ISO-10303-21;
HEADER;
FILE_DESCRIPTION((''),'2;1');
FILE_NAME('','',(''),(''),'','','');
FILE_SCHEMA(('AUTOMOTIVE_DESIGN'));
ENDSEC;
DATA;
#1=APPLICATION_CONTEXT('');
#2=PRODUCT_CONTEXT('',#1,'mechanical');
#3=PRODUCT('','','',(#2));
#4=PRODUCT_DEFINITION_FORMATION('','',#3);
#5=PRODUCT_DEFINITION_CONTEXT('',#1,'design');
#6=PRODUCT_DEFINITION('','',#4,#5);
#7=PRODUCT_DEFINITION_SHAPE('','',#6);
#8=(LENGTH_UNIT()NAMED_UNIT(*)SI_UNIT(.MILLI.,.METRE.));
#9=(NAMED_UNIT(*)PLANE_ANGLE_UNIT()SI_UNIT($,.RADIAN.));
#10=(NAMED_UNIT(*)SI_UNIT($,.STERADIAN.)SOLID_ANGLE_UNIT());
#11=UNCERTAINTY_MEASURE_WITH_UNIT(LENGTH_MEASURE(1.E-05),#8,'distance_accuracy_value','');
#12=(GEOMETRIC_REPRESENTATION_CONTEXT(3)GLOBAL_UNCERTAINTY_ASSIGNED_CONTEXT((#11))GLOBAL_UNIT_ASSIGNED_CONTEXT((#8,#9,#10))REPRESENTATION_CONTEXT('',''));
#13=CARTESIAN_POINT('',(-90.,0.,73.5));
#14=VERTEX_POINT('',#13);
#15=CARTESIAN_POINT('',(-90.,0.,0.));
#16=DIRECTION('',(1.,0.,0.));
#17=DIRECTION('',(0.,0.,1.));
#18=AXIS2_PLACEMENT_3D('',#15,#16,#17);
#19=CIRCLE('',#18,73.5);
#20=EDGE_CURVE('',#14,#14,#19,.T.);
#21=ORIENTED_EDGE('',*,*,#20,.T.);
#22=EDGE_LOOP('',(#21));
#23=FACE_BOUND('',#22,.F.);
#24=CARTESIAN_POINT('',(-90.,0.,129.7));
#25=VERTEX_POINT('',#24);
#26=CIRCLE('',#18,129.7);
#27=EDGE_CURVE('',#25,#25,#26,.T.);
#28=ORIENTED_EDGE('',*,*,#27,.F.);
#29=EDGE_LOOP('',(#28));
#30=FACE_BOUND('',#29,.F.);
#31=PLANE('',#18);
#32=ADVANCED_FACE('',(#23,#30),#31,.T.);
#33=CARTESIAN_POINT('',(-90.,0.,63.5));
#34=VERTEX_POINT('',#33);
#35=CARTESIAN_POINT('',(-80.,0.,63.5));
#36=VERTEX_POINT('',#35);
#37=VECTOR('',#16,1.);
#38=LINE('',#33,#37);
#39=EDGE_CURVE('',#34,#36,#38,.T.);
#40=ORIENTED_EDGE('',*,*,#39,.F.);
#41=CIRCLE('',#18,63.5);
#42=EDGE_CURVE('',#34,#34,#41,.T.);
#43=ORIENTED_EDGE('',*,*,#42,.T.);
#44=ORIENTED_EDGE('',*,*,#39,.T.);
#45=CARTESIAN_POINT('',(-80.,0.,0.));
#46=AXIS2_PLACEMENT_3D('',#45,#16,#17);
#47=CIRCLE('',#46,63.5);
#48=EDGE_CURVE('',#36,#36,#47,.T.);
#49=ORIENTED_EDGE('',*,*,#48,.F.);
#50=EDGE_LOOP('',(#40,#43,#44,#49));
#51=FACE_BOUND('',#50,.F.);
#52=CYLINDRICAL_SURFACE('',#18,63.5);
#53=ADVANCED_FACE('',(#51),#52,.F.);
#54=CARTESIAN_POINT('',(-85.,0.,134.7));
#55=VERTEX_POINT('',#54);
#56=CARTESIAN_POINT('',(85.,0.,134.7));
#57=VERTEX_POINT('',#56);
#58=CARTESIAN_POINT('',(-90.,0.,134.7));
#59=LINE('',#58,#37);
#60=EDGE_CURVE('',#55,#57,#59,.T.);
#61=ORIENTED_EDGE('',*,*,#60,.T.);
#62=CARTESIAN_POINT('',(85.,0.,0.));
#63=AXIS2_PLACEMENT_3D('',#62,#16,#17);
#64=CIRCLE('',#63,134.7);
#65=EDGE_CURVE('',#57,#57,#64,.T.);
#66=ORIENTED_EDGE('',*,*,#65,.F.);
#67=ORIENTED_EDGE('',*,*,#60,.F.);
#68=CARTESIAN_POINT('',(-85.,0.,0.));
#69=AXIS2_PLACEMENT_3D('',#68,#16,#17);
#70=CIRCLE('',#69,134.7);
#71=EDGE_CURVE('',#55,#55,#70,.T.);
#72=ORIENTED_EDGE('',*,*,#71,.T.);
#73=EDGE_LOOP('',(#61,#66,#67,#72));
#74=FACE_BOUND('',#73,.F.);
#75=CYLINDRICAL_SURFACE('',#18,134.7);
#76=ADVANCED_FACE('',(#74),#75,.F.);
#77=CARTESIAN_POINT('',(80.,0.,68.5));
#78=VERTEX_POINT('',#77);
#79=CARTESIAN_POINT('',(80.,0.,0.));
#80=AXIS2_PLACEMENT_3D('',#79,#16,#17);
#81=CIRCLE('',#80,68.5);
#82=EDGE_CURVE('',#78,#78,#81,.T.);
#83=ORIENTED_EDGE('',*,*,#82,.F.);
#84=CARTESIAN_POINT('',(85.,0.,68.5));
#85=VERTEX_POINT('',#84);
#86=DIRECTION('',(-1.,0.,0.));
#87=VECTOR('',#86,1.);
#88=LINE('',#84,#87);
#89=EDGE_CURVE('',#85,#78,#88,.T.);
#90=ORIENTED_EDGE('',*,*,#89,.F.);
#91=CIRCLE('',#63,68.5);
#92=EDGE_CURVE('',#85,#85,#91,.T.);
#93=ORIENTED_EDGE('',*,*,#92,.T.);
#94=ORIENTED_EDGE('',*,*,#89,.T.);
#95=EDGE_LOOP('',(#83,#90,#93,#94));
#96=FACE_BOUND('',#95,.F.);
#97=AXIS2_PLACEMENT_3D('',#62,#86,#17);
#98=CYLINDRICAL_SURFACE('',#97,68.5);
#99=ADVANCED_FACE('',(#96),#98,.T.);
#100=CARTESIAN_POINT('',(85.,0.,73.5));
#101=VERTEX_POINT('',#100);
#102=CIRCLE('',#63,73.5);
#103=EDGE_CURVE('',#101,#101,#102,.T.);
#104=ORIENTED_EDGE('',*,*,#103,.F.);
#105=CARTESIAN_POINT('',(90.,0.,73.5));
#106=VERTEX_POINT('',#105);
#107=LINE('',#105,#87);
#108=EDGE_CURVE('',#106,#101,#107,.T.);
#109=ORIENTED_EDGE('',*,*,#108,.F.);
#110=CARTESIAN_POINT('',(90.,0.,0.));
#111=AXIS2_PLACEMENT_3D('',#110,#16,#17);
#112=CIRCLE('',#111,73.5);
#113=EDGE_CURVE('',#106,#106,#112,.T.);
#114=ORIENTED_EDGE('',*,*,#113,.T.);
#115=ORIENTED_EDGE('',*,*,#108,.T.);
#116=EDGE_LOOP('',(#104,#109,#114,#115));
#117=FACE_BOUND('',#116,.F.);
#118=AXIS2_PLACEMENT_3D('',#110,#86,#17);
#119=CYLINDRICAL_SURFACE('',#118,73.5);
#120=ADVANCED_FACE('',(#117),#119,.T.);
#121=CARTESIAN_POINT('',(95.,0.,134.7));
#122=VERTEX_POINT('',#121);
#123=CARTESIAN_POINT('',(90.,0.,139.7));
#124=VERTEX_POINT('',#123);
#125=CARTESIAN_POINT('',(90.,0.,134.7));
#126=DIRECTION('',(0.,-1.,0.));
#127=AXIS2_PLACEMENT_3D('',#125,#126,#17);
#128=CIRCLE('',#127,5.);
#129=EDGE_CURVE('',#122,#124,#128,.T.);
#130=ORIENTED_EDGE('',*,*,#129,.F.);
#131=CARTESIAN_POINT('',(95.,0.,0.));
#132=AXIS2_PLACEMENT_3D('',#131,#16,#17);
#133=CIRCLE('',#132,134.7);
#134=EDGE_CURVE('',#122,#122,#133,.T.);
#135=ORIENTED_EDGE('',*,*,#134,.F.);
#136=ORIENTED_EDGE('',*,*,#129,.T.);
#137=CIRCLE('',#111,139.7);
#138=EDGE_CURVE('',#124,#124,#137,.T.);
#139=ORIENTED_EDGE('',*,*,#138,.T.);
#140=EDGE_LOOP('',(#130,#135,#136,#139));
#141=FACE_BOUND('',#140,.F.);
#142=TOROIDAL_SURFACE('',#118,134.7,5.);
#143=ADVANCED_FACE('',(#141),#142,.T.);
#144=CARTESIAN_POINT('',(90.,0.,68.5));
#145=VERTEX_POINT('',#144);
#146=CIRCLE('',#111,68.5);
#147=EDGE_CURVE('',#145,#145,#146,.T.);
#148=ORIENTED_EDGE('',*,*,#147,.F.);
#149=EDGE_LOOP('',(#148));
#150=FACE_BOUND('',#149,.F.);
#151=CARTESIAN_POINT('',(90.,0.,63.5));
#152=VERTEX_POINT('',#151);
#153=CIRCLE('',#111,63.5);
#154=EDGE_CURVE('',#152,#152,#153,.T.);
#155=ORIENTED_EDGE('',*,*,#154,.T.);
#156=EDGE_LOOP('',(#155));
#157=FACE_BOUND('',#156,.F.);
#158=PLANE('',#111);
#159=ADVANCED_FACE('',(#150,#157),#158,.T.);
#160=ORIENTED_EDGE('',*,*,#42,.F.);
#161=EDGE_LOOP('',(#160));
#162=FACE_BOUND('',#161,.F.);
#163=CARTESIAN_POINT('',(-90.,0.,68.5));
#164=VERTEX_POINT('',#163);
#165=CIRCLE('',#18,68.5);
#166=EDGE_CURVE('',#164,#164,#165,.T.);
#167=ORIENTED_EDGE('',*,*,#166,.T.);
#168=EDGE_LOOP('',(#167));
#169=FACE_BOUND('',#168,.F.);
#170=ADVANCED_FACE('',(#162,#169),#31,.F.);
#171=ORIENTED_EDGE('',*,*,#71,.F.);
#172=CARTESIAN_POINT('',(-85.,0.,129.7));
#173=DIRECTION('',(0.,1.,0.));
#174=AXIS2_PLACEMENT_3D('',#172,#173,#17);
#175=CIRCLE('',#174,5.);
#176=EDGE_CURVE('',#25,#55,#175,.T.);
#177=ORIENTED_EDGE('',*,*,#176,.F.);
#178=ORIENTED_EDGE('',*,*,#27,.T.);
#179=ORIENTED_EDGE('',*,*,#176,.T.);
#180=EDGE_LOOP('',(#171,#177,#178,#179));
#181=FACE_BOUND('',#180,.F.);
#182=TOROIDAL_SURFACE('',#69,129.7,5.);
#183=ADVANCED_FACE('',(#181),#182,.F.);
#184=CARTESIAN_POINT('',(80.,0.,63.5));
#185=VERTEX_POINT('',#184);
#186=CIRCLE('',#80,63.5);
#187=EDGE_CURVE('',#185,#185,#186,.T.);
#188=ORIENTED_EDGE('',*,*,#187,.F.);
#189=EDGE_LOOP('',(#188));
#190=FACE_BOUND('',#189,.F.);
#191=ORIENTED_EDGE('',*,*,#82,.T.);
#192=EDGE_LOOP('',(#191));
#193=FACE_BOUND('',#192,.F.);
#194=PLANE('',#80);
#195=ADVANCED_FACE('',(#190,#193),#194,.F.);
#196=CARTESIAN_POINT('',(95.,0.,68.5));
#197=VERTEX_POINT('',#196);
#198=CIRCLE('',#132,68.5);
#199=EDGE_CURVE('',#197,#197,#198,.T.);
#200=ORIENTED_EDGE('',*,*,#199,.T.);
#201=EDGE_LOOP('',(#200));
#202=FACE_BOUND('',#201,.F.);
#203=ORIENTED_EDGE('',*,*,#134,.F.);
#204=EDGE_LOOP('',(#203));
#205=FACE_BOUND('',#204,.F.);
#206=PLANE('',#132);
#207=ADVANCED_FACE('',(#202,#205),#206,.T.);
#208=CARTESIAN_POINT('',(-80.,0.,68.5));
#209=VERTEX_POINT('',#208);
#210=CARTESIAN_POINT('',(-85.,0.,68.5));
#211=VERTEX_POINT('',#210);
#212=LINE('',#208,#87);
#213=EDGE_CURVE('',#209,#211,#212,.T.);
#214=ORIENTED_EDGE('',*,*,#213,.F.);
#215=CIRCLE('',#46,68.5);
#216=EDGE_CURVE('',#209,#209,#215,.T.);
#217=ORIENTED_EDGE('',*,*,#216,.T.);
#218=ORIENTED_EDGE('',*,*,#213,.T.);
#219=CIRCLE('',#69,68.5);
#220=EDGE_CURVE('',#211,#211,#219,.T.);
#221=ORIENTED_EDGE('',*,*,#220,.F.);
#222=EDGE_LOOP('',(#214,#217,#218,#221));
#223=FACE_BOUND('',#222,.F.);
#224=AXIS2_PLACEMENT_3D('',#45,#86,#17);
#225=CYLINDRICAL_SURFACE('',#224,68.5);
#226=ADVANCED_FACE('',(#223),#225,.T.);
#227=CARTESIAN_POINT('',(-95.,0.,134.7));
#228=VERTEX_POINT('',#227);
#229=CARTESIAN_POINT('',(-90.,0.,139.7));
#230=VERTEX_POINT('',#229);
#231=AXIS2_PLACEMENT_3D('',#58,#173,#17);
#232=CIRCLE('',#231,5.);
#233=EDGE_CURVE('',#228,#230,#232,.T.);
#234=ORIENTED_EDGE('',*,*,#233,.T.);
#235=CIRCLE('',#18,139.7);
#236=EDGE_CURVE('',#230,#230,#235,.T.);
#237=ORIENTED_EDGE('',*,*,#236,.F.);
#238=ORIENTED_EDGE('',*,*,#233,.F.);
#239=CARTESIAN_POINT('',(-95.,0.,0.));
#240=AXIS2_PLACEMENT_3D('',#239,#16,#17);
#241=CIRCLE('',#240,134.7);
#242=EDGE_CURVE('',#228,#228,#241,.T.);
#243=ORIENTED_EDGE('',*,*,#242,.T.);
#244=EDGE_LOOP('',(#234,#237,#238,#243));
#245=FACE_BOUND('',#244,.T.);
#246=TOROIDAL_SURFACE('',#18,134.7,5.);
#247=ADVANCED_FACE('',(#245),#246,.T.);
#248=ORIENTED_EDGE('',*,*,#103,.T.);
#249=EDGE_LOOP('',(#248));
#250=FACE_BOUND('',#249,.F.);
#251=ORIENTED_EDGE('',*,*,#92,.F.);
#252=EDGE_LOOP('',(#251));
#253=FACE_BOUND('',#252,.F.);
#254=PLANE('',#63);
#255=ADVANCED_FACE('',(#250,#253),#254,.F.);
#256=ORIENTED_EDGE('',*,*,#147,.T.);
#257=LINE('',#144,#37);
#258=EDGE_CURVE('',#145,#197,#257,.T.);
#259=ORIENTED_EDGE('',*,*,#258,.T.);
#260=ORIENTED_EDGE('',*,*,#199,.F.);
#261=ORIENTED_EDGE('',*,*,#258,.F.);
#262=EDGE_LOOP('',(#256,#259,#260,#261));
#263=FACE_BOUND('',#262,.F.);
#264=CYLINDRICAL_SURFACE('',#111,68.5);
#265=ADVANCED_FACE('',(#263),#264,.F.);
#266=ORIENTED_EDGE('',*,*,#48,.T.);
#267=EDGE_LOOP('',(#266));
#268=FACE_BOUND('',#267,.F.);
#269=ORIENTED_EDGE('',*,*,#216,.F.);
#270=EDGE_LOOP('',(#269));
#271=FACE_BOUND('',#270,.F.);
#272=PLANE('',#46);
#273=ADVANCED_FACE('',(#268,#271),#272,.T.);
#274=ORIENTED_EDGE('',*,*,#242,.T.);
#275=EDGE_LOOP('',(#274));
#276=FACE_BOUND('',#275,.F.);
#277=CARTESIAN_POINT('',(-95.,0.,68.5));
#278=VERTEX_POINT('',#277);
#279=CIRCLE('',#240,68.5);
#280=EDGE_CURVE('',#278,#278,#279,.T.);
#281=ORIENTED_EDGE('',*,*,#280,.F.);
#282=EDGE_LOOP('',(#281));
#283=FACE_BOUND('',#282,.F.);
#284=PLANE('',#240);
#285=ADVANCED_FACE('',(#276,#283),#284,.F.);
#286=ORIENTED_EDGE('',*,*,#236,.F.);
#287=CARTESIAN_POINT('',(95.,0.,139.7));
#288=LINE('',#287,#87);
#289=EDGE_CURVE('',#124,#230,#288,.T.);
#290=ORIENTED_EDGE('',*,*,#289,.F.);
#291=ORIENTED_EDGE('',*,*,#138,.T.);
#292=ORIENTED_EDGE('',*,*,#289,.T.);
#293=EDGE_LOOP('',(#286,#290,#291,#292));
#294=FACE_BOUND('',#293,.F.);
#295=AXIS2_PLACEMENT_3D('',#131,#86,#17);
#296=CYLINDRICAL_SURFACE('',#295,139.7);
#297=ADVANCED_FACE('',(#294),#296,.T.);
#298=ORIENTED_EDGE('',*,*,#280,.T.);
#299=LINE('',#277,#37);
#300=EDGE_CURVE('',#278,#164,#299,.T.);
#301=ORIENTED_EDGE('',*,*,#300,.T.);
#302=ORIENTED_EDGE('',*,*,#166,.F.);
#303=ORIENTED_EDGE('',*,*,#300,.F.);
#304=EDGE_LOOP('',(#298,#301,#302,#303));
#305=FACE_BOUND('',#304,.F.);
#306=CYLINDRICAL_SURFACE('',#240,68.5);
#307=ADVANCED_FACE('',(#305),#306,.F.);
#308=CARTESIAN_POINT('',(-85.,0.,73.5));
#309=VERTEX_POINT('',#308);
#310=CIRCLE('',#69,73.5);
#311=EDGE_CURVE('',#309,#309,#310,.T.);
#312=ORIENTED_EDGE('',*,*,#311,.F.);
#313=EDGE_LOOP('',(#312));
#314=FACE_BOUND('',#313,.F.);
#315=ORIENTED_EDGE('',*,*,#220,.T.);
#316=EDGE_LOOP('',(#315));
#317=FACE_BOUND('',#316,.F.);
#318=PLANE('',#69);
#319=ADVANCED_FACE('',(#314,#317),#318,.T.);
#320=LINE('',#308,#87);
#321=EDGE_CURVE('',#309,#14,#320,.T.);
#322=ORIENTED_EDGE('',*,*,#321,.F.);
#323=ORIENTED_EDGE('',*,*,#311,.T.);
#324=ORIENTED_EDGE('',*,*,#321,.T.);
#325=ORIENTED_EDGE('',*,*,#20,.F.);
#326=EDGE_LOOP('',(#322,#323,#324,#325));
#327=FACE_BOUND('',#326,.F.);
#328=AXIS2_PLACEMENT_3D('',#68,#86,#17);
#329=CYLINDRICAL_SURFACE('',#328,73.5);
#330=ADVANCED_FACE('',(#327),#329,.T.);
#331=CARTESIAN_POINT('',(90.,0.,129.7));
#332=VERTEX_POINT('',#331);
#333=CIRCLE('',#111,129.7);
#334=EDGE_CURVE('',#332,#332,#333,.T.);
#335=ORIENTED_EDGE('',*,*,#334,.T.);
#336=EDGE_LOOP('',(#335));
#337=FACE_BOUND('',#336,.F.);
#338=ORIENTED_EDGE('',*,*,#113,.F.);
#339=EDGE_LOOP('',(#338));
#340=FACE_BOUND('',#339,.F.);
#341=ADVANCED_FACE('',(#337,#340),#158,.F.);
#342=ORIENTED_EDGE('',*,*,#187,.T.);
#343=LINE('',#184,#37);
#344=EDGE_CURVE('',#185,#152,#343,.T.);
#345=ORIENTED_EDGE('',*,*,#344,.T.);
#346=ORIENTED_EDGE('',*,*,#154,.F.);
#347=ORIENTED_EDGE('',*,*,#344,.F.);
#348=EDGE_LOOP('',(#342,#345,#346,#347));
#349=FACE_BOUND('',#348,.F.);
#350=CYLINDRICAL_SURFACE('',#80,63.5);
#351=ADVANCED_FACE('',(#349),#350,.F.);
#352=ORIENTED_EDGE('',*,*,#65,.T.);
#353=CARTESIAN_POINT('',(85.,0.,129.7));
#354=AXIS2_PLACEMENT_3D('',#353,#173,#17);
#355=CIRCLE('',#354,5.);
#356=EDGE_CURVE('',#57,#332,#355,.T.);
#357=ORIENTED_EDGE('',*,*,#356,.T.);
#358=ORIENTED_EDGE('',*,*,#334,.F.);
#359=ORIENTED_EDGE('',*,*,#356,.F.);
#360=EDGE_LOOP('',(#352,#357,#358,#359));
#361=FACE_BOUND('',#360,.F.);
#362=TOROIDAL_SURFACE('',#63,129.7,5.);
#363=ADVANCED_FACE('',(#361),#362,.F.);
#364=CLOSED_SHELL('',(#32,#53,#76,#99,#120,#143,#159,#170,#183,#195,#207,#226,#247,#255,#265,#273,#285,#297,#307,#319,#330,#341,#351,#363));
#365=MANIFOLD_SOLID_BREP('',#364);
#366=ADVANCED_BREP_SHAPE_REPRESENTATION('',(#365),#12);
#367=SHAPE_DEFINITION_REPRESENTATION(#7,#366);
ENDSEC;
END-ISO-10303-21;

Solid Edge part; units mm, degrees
sketch "Sketch1" plane through (0, 0, 0) normal (0, -1, 0) x (1, 0, 0)
  line L0 (-95, 139.7) -> (-95, 68.5)
  line L1 (-95, 68.5) -> (-90, 68.5)
  line L2 (-90, 68.5) -> (-90, 63.5)
  line L3 (-90, 63.5) -> (-80, 63.5)
  line L4 (-80, 63.5) -> (-80, 68.5)
  line L5 (-80, 68.5) -> (-85, 68.5)
  line L6 (-85, 68.5) -> (-85, 73.5)
  line L7 (-85, 73.5) -> (-90, 73.5)
  line L8 (-90, 73.5) -> (-90, 134.7)
  line L9 (-90, 134.7) -> (90, 134.7)
  line L10 (90, 134.7) -> (90, 73.5)
  line L11 (90, 73.5) -> (85, 73.5)
  line L12 (85, 73.5) -> (85, 68.5)
  line L13 (85, 68.5) -> (80, 68.5)
  line L14 (80, 68.5) -> (80, 63.5)
  line L15 (80, 63.5) -> (90, 63.5)
  line L16 (90, 63.5) -> (90, 68.5)
  line L17 (90, 68.5) -> (95, 68.5)
  line L18 (95, 68.5) -> (95, 139.7)
  line L19 (95, 139.7) -> (-95, 139.7)
  dimension "D1" = 180
  dimension "D2" = 10
  dimension "D3" = 5
  dimension "D4" = 5
  dimension "D5" = 5
  dimension "D6" = 5
  dimension "D7" = 10
  dimension "D8" = 5
  dimension "D9" = 5
  dimension "D10" = 5
  dimension "D11" = 5
  dimension "D12" = 5
revolve "RevolvedProtrusion1" add sketch "Sketch1" angle 360 about axis through (-79.3986, 0, 0) along (1, 0, 0)
fillet "Round1" radius 5 4 edges at (95, 0, -139.7) (90, 0, -134.7) (-95, 0, -139.7) (-90, 0, -134.7)
properties material "Phenolic"
